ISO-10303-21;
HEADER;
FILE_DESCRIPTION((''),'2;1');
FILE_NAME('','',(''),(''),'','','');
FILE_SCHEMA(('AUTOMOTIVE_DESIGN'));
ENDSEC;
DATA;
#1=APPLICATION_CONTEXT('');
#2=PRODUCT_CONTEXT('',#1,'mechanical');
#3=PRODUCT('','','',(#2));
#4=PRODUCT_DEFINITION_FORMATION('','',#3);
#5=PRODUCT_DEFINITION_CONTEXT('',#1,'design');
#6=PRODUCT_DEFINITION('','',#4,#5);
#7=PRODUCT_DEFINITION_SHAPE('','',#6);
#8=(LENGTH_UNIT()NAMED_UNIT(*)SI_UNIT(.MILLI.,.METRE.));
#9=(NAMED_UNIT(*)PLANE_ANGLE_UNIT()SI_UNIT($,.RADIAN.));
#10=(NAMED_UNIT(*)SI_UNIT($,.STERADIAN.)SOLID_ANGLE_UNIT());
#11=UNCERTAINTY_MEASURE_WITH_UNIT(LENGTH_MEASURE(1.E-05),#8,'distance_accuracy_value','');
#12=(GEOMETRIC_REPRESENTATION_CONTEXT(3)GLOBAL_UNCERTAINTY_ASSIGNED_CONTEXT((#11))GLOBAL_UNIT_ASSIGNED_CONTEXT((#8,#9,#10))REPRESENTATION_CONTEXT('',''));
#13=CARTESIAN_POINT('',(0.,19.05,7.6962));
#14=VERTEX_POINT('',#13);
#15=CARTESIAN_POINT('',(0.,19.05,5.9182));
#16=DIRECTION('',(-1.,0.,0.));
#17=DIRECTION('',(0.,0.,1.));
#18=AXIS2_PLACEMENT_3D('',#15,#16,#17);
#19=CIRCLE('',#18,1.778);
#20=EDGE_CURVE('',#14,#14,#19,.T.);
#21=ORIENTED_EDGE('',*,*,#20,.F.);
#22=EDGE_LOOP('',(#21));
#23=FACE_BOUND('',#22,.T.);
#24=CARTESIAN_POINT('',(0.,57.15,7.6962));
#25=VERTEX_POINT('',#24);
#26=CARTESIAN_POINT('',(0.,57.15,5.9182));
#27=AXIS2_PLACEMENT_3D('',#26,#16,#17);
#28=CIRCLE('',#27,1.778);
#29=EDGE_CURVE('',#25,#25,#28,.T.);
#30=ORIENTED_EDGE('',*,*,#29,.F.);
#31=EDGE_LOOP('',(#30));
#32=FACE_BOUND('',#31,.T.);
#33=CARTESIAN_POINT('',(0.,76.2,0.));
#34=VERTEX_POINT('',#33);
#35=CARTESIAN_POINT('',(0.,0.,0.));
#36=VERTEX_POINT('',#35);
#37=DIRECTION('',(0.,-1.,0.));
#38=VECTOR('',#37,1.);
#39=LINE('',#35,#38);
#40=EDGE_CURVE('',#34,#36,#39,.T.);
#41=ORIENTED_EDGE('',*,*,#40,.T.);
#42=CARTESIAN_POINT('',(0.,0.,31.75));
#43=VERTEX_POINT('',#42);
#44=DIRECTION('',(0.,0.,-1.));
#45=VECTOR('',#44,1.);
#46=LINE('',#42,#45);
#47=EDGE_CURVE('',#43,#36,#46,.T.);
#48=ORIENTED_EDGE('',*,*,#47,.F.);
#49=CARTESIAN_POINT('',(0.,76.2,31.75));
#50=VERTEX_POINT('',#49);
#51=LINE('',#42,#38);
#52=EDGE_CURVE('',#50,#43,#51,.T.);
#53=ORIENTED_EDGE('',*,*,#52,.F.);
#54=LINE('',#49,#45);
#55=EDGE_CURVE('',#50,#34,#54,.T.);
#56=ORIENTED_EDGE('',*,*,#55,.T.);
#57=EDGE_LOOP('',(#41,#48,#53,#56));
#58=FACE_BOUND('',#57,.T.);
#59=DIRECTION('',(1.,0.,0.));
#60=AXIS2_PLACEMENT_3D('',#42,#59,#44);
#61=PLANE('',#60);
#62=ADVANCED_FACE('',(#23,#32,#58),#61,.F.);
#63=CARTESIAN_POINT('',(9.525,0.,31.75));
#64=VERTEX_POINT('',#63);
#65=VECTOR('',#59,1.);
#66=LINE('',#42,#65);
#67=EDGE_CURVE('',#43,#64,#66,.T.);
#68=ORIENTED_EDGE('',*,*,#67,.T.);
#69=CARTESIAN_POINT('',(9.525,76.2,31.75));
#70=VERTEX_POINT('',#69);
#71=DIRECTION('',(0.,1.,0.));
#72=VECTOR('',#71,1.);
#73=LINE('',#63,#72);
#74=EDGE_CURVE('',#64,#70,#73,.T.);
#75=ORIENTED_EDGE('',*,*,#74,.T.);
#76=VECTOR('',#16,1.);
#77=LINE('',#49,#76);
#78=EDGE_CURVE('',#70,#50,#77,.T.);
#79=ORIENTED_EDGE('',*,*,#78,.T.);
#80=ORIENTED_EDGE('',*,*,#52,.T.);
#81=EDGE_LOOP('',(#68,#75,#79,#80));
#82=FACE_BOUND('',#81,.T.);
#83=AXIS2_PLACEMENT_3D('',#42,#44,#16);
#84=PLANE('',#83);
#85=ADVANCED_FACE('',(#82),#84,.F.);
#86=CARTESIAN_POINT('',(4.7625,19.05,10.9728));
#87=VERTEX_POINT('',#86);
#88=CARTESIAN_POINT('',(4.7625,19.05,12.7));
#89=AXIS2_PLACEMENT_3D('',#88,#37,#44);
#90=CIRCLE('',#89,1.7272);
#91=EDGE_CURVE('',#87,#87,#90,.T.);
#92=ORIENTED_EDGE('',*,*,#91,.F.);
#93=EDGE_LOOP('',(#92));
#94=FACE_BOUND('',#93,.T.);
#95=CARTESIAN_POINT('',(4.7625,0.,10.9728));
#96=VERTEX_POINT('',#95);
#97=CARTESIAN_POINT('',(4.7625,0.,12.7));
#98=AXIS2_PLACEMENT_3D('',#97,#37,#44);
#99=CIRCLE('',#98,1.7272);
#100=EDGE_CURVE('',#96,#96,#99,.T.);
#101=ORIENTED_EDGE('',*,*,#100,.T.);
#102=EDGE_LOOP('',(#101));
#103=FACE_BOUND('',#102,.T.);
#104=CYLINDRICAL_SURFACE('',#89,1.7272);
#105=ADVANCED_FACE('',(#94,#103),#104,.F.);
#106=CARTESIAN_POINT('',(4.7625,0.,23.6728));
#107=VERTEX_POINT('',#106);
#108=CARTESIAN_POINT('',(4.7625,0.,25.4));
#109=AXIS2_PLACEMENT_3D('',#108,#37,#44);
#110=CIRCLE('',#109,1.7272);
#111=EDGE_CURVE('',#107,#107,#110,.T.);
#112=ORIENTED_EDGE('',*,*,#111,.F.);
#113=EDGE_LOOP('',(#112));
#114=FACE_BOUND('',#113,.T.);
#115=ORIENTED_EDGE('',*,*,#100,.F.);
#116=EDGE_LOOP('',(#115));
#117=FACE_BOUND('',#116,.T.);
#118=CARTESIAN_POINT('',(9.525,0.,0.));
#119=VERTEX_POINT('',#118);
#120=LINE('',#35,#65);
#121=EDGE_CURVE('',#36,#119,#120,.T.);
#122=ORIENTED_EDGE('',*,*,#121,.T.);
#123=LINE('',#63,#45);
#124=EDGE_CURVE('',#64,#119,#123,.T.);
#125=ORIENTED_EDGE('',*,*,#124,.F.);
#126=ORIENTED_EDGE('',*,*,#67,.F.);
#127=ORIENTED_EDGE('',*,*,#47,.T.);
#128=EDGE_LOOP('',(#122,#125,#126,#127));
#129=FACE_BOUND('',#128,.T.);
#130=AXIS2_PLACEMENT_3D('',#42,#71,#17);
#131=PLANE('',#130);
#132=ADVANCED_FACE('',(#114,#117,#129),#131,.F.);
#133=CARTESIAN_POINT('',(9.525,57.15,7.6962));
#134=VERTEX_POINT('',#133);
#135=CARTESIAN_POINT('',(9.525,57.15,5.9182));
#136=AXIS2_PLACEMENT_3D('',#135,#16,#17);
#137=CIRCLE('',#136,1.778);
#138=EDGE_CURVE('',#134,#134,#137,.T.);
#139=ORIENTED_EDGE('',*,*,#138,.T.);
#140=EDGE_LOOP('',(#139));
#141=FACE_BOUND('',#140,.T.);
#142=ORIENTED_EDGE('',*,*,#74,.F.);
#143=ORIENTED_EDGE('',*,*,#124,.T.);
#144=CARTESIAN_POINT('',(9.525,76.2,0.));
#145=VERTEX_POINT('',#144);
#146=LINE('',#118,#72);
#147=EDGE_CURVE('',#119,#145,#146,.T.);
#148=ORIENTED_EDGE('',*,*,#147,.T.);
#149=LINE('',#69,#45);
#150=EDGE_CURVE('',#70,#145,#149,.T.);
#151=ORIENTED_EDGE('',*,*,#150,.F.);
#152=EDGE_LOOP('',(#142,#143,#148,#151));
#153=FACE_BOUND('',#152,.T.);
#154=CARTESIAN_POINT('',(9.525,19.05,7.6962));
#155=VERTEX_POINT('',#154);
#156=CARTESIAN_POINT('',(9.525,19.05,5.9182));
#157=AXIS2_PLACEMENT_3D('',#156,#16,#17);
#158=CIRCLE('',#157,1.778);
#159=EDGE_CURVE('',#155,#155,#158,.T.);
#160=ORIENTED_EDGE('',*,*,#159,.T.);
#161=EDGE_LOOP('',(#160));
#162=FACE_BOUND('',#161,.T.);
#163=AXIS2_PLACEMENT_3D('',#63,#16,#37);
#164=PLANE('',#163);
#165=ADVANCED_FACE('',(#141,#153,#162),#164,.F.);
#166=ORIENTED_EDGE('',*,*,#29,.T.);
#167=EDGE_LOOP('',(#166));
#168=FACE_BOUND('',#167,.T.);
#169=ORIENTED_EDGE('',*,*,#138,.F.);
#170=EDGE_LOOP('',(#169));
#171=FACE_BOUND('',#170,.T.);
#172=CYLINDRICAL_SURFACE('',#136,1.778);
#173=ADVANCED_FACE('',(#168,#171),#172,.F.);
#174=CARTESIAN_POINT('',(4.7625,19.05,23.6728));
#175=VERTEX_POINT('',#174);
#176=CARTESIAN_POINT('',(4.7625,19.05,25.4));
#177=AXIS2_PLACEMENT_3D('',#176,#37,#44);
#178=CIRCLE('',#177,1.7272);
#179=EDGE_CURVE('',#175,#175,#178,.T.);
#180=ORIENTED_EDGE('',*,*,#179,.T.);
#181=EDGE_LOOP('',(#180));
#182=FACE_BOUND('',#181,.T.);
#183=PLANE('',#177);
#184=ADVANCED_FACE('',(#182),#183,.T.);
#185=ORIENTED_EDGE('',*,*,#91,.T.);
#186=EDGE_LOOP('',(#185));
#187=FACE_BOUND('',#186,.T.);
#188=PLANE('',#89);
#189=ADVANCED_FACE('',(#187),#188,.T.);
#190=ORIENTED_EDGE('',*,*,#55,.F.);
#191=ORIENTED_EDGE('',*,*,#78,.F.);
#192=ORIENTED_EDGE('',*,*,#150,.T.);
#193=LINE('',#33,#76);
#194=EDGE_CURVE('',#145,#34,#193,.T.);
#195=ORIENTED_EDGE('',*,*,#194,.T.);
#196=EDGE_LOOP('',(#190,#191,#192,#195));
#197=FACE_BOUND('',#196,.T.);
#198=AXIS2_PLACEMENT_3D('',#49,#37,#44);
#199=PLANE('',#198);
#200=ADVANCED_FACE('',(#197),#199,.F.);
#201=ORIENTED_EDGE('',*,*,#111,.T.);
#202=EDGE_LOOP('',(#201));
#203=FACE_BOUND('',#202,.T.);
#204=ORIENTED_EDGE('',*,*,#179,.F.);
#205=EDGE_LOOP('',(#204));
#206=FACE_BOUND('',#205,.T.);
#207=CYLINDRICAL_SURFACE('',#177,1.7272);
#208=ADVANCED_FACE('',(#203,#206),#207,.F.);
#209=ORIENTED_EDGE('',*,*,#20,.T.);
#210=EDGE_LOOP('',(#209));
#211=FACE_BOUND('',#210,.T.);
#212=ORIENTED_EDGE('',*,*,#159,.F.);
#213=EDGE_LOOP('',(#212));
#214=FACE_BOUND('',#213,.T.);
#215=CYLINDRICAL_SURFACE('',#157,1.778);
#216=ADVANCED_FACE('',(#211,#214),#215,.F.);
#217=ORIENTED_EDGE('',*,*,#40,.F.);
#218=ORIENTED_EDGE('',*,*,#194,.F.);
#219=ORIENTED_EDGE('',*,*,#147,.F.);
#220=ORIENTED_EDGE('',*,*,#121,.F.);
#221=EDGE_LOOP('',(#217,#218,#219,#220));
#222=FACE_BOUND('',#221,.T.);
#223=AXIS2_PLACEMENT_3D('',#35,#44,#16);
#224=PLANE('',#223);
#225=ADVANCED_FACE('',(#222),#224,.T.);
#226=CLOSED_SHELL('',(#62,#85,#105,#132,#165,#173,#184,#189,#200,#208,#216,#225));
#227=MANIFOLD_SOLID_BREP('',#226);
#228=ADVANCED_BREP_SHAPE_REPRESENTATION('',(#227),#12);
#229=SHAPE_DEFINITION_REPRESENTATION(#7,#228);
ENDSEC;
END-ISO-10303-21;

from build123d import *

# Parameters (mm, degrees)
SKETCH1_W           = 9.525
SKETCH1_H           = 76.2
BOSS_EXTRUDE1_DEPTH = 31.75
SKETCH2_R           = 1.778
CUT_EXTRUDE1_DEPTH  = 10.525
SKETCH3_R           = 1.7272
CUT_EXTRUDE2_DEPTH  = 19.05


with BuildPart() as part:
    # Sketch1 → Boss-Extrude1 (new body)
    with BuildSketch(Plane.XY):
        with Locations((4.7625, 38.1)):
            Rectangle(SKETCH1_W, SKETCH1_H)
    extrude(amount=BOSS_EXTRUDE1_DEPTH)

    # Sketch2 → Cut-Extrude1 (cut, through all)
    with BuildSketch(Plane.ZY):
        with Locations((5.9182, 57.15)):
            Circle(SKETCH2_R)
        with Locations((5.9182, 19.05)):
            Circle(SKETCH2_R)
    extrude(amount=-CUT_EXTRUDE1_DEPTH, mode=Mode.SUBTRACT)

    # Sketch3 → Cut-Extrude2 (cut)
    with BuildSketch(Plane.XZ):
        with Locations((4.7625, 25.4)):
            Circle(SKETCH3_R)
        with Locations((4.7625, 12.7)):
            Circle(SKETCH3_R)
    extrude(amount=-CUT_EXTRUDE2_DEPTH, mode=Mode.SUBTRACT)


solid = part.part
